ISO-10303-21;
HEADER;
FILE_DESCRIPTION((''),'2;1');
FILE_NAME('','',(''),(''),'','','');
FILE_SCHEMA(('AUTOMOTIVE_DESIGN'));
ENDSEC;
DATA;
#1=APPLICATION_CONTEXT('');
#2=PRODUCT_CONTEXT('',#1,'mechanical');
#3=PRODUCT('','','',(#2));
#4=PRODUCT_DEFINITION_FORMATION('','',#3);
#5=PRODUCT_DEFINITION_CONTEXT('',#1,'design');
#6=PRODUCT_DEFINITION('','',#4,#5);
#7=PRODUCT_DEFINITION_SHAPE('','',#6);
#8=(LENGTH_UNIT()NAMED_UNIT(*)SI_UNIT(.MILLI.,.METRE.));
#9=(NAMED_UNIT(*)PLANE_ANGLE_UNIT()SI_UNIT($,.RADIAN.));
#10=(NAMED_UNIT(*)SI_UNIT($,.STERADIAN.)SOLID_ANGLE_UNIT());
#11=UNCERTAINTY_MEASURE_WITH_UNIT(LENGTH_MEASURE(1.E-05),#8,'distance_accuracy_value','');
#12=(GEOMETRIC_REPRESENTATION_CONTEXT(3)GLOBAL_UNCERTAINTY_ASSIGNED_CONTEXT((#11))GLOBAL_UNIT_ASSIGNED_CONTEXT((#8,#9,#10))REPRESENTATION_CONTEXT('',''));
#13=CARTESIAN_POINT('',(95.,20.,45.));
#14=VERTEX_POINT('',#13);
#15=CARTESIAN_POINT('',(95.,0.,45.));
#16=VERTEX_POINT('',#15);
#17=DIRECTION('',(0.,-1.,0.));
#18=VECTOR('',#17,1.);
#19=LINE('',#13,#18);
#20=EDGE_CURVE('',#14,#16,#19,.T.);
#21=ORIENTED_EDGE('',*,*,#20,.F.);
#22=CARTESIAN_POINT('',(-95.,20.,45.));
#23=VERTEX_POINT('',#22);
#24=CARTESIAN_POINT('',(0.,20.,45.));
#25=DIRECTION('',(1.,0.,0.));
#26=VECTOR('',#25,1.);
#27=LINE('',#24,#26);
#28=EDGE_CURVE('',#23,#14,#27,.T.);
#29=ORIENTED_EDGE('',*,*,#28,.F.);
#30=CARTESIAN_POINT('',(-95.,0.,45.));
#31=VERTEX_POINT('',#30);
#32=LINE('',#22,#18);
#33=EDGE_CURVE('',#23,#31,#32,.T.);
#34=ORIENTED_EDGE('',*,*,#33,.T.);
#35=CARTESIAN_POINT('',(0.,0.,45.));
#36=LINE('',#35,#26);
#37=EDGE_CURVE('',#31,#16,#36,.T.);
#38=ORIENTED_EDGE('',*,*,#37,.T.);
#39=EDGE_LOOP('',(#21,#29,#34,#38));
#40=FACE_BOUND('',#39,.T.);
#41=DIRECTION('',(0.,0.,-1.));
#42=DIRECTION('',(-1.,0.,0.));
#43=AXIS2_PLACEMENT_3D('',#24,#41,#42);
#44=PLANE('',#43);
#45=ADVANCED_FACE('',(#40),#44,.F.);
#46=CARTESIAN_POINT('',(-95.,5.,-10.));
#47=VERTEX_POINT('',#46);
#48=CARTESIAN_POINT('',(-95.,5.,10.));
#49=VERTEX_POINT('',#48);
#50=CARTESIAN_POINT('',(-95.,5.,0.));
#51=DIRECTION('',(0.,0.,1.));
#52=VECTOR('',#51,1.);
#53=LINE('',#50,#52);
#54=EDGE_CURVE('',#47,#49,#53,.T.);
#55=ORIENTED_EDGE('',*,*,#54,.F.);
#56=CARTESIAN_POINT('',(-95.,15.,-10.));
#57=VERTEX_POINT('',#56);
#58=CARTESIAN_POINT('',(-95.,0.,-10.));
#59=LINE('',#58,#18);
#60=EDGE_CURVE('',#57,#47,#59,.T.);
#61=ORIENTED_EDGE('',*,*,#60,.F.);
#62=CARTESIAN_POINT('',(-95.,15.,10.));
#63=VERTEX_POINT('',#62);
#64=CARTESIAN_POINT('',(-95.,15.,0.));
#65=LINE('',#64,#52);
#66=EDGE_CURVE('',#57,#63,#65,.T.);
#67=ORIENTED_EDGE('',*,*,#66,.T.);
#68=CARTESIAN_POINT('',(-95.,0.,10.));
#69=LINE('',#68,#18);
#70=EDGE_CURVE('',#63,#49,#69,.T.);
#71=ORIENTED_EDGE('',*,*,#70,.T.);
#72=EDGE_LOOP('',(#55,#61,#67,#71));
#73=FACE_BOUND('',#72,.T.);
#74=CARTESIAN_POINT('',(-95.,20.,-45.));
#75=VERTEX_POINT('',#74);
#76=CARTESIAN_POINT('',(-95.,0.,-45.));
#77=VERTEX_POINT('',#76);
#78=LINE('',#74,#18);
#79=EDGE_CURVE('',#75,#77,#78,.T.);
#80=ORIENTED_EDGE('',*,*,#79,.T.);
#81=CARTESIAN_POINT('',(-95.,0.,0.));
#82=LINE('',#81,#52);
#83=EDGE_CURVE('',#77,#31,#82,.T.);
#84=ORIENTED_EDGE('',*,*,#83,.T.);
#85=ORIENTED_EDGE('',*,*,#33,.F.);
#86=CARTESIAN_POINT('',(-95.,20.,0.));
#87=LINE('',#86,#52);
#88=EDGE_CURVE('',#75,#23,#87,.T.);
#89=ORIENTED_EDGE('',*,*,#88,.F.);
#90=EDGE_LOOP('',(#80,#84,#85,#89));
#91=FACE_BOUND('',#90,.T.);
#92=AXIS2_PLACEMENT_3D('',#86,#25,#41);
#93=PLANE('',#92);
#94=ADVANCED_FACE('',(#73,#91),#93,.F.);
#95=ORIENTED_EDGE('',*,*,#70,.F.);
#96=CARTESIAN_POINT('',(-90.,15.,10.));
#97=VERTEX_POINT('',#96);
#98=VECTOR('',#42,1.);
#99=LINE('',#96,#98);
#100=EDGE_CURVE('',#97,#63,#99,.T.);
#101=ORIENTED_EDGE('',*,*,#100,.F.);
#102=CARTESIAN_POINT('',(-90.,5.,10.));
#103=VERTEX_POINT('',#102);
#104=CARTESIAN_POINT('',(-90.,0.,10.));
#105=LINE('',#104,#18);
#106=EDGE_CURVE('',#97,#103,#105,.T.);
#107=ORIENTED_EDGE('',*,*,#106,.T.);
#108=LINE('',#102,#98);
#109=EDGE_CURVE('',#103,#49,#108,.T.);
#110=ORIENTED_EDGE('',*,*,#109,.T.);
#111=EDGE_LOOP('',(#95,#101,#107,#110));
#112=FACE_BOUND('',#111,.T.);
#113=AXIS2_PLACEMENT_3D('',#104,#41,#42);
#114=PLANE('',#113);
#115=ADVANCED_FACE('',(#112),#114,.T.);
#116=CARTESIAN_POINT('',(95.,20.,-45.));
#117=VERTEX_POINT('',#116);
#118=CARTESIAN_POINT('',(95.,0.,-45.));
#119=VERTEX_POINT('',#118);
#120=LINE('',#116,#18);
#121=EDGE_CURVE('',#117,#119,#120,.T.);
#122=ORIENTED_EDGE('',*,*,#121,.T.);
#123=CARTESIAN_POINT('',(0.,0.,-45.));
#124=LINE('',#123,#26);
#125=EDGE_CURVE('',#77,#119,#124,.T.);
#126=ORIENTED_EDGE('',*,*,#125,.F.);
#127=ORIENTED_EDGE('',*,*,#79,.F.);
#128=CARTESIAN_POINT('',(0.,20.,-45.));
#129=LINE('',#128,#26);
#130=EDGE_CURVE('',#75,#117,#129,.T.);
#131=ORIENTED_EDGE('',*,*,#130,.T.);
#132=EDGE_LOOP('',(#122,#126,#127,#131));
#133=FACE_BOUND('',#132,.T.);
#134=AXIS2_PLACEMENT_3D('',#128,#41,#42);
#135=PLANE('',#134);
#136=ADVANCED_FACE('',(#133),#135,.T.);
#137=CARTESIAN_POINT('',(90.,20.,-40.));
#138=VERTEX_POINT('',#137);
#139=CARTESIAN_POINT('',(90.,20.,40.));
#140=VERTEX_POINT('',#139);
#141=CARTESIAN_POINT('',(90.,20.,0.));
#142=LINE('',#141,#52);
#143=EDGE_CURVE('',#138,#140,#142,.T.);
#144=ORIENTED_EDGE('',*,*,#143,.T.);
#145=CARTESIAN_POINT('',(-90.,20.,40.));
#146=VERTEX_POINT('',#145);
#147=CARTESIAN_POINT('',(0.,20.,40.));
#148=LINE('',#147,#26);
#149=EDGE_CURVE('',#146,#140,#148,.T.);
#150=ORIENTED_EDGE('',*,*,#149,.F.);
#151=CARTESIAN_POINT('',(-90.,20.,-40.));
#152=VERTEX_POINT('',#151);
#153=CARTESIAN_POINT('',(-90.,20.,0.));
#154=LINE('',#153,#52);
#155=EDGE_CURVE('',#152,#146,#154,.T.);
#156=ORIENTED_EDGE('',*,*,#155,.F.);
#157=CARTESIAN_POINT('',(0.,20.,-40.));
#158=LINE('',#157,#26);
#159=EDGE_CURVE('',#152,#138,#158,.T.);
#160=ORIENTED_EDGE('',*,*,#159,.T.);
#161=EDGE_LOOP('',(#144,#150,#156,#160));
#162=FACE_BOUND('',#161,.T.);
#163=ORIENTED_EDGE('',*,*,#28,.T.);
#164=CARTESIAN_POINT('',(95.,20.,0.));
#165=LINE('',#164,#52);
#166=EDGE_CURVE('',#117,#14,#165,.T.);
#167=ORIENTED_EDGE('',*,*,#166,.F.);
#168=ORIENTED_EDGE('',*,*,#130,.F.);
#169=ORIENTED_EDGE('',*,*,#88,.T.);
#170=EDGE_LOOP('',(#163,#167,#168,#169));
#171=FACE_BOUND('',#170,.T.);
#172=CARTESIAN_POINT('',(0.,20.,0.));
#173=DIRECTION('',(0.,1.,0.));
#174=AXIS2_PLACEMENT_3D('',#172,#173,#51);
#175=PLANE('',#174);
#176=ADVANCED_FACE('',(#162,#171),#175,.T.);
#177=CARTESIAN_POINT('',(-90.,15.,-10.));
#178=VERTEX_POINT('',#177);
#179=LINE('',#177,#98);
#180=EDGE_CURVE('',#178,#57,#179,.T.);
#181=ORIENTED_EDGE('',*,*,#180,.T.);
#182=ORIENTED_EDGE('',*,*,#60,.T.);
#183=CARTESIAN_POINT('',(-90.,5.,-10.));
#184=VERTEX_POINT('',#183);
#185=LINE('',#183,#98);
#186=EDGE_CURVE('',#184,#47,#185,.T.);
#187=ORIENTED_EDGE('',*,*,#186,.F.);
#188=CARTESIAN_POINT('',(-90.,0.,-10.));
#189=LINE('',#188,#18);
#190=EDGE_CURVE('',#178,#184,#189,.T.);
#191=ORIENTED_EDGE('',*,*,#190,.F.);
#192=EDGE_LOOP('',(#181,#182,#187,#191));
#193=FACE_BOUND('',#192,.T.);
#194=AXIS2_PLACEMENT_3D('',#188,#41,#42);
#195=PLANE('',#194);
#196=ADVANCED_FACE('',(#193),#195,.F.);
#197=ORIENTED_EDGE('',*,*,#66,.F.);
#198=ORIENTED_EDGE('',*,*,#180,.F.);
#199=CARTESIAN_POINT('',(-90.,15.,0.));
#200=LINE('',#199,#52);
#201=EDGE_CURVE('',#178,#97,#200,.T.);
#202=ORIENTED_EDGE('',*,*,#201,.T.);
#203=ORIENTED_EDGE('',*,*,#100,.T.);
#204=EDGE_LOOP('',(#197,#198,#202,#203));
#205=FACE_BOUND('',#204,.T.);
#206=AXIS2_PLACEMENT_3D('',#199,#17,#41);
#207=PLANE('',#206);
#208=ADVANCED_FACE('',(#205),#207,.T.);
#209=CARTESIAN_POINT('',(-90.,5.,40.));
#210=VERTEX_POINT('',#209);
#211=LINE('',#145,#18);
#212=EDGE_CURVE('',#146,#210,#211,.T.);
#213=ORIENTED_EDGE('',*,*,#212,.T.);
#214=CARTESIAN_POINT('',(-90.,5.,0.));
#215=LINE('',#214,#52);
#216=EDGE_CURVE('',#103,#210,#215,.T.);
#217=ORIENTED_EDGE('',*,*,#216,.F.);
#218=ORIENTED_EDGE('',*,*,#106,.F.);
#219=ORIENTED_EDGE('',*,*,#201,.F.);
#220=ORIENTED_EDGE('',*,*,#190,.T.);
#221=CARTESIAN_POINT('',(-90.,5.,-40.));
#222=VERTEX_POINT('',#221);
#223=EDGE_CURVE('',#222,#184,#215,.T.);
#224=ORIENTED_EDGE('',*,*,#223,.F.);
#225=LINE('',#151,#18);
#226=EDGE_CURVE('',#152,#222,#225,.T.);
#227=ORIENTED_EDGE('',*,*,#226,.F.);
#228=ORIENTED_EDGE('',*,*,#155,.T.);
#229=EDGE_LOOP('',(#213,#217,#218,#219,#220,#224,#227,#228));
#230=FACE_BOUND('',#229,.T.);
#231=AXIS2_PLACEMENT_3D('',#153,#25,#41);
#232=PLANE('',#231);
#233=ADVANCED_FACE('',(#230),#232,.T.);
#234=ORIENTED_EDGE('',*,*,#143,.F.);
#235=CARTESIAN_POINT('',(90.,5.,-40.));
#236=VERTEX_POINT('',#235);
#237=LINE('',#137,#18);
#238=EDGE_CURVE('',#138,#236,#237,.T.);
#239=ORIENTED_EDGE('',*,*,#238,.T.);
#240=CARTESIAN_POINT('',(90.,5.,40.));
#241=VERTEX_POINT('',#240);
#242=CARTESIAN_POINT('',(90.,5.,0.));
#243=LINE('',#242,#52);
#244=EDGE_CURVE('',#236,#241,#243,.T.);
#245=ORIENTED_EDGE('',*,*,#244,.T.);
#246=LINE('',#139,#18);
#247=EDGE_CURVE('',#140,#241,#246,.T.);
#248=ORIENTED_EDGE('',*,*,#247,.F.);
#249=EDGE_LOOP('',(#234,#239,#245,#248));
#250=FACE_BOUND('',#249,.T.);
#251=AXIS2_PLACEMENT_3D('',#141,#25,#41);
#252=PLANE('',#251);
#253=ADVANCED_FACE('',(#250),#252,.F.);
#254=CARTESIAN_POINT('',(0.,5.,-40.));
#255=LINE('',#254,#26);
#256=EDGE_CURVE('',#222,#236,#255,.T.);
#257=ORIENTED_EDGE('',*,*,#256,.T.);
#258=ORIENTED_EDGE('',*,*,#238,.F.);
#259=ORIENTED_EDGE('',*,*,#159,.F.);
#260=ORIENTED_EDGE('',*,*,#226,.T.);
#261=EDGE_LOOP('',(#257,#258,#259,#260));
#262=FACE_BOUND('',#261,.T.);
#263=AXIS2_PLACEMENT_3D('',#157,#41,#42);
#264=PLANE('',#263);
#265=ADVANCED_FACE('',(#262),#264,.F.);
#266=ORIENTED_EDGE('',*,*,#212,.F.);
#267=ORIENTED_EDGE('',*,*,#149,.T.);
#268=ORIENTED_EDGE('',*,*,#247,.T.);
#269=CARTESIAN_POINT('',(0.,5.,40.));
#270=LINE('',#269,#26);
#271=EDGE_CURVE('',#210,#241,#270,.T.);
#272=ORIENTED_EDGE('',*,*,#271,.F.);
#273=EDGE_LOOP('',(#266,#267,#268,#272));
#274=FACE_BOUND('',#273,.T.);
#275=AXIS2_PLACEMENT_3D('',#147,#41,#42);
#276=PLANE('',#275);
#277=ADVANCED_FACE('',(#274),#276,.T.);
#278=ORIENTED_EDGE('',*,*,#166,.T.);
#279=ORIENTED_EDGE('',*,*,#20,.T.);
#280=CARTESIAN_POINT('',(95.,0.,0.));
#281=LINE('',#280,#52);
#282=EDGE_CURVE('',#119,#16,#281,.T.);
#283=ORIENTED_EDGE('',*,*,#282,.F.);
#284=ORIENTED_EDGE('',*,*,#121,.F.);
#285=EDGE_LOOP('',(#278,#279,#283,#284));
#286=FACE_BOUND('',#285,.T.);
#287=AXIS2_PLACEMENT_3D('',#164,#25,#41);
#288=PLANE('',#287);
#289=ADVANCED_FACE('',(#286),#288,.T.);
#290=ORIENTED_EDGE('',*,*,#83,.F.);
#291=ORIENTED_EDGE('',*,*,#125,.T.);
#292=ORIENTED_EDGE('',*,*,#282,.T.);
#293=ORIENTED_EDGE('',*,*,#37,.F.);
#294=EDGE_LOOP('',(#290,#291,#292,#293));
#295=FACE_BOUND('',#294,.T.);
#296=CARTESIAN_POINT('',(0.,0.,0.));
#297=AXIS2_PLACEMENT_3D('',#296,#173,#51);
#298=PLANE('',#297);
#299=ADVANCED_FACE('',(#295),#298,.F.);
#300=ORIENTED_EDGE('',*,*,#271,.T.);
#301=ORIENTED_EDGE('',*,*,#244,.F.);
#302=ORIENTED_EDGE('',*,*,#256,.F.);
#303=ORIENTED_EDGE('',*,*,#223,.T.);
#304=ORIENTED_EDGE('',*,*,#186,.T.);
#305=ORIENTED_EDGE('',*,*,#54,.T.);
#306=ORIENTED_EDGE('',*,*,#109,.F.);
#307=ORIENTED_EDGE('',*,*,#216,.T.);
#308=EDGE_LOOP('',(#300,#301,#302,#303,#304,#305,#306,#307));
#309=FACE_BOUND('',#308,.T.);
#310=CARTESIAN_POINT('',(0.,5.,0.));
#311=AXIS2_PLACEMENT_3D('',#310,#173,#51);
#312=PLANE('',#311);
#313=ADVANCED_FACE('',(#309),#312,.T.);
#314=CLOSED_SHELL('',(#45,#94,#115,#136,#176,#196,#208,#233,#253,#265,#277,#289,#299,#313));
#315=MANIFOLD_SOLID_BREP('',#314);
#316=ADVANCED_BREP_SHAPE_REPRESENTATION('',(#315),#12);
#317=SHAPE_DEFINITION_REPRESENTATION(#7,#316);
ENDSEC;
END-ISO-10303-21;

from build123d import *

# Parameters (mm, degrees)
SKETCH3_W           = 190
SKETCH3_H           = 90
BOSS_EXTRUDE2_DEPTH = 20
SKETCH3_4_W         = 180
SKETCH3_4_H         = 80
BOSS_EXTRUDE3_DEPTH = 5
SKETCH4_W           = 20
SKETCH4_H           = 10
CUT_EXTRUDE1_DEPTH  = 5


with BuildPart() as part:
    # Sketch3 → Boss-Extrude2 (new body)
    with BuildSketch(Plane(origin=(0, 0, 0), x_dir=(1, 0, 0), z_dir=(0, 1, 0))):
        Rectangle(SKETCH3_W, SKETCH3_H)
        Polygon((-90, -40), (-90, 5), (-90, 40), (-20, 40), (90, 40), (90, -15), (90, -40), (65, -40), align=None, mode=Mode.SUBTRACT)
    extrude(amount=BOSS_EXTRUDE2_DEPTH)

    # Sketch3<4> → Boss-Extrude3 (add)
    with BuildSketch(Plane(origin=(0, 0, 0), x_dir=(1, 0, 0), z_dir=(0, 1, 0))):
        Rectangle(SKETCH3_4_W, SKETCH3_4_H)
    extrude(amount=BOSS_EXTRUDE3_DEPTH)

    # Sketch4 → Cut-Extrude1 (cut)
    with BuildSketch(Plane.ZY.offset(95)):
        with Locations((0, 10)):
            Rectangle(SKETCH4_W, SKETCH4_H)
    extrude(amount=-CUT_EXTRUDE1_DEPTH, mode=Mode.SUBTRACT)


solid = part.part
